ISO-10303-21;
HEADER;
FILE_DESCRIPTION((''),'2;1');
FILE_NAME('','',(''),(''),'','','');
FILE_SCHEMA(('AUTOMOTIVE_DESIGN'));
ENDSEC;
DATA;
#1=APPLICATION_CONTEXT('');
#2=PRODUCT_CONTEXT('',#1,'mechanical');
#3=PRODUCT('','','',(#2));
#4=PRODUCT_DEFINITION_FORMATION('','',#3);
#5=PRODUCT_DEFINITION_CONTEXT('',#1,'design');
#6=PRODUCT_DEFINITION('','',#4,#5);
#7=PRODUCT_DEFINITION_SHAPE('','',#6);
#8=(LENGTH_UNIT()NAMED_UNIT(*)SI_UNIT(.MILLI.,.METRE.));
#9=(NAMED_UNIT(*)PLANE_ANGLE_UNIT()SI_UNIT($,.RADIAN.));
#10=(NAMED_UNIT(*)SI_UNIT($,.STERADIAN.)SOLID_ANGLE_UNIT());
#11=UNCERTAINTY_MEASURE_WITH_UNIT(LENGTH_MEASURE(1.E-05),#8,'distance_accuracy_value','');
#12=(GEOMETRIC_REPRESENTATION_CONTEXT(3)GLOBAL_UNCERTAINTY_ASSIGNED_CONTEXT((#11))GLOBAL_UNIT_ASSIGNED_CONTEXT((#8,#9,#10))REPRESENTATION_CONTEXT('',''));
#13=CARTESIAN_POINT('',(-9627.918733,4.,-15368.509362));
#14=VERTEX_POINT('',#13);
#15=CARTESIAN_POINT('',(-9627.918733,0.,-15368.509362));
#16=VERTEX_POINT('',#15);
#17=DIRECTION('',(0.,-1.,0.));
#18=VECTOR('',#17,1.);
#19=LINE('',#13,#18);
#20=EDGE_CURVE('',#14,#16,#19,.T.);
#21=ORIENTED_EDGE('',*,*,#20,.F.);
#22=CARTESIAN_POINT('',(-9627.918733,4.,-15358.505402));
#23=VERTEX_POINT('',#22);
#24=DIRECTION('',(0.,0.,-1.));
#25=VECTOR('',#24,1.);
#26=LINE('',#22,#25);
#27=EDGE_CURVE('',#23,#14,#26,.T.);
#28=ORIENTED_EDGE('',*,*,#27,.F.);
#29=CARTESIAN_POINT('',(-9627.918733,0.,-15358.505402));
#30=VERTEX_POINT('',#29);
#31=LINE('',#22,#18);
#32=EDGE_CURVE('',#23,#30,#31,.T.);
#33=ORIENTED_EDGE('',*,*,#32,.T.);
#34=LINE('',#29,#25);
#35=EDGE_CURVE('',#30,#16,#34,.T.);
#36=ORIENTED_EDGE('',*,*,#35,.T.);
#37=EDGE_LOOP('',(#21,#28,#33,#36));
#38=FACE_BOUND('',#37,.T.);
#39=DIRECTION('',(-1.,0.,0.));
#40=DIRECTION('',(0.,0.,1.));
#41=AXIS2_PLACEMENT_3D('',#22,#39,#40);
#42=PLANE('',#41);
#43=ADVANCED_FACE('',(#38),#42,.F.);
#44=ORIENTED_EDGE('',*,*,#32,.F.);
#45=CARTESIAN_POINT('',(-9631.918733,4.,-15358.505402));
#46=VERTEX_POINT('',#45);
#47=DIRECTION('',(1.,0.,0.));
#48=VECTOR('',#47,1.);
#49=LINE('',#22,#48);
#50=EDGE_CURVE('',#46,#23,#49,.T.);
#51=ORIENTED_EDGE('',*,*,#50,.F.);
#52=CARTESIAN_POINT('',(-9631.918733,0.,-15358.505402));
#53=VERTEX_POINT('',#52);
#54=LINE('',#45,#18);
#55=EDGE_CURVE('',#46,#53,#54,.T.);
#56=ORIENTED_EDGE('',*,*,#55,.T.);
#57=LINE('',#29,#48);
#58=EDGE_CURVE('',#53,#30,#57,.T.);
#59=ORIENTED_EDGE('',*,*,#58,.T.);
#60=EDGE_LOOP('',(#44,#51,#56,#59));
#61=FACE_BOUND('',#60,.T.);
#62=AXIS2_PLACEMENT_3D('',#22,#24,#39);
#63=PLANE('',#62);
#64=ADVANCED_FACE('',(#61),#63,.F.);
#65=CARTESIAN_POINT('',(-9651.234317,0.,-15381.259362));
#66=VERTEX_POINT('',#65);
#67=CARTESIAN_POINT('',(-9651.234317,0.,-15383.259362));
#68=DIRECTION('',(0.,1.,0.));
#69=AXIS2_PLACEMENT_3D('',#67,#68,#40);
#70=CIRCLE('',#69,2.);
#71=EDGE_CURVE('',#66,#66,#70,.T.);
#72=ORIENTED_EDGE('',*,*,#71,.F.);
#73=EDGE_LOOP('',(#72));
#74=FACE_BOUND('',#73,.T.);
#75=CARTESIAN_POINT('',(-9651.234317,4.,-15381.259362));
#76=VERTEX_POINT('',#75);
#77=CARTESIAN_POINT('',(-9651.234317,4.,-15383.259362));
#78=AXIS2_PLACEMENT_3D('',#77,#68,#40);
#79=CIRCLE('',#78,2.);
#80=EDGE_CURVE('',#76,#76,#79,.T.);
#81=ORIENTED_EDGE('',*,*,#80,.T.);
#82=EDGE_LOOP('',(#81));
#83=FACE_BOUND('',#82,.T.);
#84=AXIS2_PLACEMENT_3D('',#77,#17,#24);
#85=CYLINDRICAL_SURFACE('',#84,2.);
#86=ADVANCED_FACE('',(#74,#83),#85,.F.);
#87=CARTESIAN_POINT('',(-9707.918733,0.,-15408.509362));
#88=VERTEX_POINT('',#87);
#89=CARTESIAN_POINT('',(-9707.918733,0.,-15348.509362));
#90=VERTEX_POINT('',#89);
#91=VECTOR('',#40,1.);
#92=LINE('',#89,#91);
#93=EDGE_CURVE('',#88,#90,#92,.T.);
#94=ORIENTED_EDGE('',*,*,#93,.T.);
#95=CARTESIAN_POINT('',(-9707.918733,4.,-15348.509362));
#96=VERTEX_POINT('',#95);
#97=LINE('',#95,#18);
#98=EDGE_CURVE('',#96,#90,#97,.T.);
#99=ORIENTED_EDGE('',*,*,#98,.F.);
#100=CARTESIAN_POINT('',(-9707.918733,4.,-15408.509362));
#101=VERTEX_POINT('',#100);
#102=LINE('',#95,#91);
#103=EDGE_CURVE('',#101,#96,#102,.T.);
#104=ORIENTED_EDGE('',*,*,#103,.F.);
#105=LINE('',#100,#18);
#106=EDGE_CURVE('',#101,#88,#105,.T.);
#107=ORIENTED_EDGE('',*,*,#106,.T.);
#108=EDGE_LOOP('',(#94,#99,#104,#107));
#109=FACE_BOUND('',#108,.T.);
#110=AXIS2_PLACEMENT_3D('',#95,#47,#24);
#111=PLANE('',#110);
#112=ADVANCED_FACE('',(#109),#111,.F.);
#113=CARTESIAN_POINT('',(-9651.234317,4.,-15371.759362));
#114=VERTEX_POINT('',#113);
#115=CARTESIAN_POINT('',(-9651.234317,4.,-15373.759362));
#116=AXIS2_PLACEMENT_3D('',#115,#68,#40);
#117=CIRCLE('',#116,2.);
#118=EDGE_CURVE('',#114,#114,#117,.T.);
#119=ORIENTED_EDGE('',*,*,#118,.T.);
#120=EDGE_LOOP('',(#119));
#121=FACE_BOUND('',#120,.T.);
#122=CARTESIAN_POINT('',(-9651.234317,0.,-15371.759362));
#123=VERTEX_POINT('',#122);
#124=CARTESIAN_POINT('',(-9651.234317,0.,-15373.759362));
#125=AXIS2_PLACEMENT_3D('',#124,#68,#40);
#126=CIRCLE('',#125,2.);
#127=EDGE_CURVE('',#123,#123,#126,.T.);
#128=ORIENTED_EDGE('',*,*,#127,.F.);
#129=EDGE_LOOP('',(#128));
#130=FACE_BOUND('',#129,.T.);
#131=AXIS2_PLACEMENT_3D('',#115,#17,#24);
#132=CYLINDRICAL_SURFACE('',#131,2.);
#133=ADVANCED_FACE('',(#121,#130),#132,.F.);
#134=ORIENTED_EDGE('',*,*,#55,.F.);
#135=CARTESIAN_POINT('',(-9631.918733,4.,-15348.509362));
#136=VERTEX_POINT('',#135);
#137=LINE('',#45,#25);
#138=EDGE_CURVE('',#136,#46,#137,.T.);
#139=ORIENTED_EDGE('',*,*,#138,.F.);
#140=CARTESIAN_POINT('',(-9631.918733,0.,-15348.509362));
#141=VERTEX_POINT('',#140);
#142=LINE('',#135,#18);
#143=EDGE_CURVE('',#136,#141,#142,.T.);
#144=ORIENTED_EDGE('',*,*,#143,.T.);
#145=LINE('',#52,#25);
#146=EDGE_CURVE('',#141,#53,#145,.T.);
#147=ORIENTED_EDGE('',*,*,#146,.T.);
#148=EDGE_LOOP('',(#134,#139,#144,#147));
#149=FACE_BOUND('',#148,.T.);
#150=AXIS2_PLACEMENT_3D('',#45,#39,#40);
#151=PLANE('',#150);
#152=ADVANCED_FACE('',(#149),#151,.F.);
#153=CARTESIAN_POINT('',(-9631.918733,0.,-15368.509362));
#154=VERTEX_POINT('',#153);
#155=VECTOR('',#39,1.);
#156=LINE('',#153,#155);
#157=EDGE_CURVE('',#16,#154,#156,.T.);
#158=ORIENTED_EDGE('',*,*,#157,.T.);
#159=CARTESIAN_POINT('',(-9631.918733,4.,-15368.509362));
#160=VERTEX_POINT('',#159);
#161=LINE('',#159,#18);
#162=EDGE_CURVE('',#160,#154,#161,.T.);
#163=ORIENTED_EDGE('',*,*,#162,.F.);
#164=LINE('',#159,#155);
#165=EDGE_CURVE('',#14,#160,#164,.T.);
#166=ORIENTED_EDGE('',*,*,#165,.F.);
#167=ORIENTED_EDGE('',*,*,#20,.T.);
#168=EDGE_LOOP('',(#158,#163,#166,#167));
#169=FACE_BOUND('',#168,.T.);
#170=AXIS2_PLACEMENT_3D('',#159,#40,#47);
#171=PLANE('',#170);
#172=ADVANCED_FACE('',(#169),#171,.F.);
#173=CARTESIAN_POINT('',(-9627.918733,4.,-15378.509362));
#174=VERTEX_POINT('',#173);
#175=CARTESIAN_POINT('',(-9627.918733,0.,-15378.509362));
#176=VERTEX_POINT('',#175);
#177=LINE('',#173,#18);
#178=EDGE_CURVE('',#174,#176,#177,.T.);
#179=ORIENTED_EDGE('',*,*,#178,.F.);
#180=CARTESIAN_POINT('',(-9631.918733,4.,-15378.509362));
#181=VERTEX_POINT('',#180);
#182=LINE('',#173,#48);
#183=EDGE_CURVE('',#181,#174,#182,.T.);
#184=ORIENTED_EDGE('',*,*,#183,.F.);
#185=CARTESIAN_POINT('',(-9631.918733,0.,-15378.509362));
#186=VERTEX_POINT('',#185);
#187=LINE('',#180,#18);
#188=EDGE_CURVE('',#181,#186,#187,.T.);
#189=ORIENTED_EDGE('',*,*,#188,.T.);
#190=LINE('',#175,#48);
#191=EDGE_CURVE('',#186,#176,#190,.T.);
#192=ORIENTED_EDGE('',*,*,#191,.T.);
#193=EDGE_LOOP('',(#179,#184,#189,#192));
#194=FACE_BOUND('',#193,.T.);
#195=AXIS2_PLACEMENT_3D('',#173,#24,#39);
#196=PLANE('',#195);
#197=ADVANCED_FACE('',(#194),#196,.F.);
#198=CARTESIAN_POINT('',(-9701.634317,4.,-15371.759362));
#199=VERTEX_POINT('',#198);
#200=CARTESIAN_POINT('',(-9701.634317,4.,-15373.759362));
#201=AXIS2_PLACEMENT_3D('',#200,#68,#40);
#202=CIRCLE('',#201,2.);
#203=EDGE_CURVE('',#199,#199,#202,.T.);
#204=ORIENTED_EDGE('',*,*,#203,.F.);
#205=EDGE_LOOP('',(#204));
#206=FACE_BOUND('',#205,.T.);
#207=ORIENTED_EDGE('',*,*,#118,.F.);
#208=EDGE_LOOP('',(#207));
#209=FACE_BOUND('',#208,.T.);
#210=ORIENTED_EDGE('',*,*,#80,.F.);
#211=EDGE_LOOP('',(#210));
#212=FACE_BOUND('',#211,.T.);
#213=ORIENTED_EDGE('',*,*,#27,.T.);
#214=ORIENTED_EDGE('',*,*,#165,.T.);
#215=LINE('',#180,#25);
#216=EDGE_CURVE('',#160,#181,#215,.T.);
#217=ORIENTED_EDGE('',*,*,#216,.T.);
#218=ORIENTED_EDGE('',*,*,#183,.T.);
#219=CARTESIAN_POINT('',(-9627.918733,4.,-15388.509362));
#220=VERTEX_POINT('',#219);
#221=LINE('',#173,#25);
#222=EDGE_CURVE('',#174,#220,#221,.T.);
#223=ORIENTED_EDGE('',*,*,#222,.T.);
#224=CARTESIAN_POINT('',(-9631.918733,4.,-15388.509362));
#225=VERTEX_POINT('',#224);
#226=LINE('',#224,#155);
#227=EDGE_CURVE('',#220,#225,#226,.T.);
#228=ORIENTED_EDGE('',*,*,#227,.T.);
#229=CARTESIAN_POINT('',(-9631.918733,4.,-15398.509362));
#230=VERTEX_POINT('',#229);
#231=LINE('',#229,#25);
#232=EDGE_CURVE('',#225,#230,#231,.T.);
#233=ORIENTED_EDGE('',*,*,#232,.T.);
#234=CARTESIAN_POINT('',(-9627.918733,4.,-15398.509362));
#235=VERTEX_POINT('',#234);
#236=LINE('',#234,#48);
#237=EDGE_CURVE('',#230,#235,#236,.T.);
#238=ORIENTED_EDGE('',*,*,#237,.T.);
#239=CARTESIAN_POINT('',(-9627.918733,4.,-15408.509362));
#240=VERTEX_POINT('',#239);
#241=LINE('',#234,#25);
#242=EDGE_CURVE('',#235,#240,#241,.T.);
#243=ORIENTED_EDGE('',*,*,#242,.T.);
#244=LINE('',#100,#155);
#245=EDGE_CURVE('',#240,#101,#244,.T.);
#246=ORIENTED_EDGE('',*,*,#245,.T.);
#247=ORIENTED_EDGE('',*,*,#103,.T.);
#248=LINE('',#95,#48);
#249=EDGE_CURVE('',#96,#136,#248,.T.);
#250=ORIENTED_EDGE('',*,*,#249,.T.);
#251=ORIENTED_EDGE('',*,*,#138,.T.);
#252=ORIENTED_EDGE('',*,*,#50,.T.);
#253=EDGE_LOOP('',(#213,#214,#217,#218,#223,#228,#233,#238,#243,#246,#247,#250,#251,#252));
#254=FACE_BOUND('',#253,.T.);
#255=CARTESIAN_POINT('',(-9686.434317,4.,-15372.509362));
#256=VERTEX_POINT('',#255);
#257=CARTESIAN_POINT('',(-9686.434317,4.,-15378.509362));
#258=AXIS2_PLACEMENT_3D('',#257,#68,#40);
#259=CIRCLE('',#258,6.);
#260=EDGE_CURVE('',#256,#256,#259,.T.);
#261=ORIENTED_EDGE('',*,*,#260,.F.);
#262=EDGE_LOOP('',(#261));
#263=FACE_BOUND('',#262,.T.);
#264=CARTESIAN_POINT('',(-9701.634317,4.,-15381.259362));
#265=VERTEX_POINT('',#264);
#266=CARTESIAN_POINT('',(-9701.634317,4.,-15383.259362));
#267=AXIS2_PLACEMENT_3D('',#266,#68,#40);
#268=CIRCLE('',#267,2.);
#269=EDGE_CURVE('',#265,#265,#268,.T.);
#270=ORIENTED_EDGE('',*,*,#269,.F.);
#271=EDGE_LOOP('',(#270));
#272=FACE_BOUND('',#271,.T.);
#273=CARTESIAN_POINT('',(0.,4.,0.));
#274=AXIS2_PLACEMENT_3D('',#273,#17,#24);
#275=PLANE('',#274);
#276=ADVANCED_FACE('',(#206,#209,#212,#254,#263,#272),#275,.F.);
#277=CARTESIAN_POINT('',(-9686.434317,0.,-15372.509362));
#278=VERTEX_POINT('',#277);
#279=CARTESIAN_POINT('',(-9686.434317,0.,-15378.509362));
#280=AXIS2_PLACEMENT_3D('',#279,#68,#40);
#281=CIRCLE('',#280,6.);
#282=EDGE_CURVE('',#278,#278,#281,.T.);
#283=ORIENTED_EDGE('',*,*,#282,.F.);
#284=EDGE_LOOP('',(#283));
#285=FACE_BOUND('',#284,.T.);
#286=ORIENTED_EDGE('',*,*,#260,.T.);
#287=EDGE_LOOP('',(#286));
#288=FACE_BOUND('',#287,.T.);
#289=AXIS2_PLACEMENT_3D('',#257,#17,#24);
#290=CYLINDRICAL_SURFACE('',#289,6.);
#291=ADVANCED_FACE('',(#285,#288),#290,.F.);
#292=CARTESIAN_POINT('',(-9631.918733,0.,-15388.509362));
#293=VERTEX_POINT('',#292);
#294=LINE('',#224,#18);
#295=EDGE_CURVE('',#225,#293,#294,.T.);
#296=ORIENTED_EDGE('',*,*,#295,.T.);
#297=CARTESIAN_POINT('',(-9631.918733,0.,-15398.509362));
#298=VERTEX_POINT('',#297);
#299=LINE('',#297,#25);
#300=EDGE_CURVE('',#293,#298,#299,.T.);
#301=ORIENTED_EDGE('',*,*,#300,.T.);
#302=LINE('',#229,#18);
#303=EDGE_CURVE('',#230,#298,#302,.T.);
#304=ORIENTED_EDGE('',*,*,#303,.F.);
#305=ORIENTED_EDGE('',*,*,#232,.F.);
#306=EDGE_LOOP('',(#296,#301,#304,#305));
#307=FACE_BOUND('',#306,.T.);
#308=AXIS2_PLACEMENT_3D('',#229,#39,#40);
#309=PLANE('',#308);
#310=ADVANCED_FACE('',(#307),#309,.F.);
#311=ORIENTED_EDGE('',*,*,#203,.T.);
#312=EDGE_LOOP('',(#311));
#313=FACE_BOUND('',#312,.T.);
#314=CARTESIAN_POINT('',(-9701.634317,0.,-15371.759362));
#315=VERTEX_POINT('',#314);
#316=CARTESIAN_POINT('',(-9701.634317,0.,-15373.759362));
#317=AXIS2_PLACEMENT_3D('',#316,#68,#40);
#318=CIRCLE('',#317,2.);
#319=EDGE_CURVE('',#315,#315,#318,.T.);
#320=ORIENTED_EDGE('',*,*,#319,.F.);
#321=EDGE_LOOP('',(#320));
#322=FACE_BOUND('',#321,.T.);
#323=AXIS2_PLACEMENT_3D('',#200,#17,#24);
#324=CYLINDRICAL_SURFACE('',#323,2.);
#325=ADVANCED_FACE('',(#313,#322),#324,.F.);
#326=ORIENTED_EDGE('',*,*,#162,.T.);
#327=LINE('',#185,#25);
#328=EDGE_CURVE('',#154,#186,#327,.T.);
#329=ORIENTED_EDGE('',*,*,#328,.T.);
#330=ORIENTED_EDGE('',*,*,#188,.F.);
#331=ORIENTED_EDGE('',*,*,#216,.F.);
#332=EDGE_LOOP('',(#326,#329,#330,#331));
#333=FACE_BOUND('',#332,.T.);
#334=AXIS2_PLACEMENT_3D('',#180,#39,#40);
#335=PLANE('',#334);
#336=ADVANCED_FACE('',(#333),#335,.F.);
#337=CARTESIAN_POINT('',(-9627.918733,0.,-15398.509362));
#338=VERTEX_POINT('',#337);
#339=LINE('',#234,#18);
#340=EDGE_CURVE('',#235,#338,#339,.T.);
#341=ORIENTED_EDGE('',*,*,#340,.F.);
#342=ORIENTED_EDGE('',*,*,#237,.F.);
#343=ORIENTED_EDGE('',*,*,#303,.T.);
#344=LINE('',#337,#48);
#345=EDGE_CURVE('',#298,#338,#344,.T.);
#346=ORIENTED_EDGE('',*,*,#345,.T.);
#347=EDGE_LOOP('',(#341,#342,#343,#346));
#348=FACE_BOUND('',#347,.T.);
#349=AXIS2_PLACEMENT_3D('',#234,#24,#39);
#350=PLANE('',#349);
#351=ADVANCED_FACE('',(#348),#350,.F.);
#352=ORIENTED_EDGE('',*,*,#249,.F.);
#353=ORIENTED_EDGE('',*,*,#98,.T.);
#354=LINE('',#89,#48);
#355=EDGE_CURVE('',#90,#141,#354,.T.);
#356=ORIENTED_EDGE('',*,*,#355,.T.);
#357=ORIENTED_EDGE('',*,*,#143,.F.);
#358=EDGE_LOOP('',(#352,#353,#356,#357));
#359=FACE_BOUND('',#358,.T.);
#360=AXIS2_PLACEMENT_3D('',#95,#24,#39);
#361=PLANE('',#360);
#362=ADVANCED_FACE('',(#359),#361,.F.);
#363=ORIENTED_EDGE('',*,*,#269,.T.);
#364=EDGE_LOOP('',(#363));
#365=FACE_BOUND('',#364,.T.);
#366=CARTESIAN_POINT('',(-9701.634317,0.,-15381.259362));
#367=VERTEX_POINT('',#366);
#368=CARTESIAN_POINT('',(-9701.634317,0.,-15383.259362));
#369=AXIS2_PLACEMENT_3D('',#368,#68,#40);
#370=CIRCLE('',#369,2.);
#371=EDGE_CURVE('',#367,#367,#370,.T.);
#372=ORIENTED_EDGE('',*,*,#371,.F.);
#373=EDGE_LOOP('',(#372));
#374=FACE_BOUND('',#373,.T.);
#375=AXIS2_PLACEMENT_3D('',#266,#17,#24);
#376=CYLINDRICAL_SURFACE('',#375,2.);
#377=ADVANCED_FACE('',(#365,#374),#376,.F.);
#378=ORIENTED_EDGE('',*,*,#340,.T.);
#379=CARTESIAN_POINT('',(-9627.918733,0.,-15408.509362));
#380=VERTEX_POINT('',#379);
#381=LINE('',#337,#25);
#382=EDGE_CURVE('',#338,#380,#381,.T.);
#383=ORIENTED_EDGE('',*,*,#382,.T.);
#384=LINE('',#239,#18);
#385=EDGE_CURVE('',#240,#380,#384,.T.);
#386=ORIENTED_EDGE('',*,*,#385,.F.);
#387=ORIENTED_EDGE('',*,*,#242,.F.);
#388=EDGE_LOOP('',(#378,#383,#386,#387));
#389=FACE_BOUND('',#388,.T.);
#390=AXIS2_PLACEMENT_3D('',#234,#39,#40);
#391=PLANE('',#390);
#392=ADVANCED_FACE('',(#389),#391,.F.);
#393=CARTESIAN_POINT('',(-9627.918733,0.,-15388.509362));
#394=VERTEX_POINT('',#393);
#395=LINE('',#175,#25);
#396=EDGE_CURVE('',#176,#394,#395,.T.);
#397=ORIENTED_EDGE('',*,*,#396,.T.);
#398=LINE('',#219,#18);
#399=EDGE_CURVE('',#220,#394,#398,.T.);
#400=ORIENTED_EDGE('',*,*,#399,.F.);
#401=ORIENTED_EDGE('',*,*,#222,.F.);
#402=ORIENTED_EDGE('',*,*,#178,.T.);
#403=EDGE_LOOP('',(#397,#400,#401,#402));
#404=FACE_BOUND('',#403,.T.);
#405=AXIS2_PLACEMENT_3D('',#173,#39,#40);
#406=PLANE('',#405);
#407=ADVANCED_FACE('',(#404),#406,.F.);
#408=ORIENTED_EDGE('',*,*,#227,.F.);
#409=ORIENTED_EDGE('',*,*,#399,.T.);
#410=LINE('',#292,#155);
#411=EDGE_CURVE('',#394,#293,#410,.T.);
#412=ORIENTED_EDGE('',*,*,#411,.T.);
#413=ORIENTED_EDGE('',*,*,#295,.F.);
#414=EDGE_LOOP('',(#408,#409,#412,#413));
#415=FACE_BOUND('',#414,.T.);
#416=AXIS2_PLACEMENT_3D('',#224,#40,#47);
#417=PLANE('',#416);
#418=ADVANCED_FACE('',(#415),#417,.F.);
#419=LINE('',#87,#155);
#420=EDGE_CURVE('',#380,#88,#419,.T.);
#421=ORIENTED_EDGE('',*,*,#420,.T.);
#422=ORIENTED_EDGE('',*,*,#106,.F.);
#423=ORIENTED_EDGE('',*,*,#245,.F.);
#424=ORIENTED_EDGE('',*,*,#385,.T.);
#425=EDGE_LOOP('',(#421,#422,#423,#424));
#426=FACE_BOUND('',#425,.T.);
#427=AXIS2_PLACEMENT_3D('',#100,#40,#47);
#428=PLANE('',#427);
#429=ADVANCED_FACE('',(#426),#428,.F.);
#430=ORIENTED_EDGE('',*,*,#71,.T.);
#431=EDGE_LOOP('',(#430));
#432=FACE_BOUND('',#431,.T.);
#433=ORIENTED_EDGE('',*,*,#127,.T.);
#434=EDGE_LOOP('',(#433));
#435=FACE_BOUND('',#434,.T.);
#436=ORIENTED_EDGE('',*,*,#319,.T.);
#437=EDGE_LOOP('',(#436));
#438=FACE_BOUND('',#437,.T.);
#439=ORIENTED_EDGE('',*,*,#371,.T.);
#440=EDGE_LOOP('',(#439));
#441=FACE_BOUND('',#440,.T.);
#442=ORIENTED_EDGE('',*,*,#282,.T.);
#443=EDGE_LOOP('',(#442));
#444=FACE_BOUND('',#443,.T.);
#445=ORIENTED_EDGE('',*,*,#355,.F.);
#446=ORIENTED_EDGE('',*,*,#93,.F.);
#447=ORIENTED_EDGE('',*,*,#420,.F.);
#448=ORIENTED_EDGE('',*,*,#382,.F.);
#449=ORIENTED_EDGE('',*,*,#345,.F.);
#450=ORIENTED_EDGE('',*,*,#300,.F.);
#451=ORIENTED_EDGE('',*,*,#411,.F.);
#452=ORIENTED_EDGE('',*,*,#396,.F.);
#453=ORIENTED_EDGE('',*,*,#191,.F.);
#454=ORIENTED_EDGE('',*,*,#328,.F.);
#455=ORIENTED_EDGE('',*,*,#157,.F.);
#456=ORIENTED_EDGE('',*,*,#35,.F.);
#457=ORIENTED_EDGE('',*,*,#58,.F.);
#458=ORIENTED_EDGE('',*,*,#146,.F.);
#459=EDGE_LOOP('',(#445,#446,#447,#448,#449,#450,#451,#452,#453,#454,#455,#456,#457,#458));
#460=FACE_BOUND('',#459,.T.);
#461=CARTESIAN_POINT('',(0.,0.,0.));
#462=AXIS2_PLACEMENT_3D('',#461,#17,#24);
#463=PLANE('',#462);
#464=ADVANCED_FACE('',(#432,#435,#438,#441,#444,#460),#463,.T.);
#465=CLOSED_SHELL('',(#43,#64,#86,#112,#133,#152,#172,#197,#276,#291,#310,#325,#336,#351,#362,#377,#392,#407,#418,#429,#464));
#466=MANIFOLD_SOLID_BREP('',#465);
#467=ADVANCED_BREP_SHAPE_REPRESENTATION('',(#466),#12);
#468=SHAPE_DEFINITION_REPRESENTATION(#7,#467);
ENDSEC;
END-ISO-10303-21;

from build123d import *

# Parameters (mm, degrees)
SKETCH1_R           = 6
SKETCH1_R_2         = 2
BOSS_EXTRUDE1_DEPTH = 4


with BuildPart() as part:
    # Sketch1 → Boss-Extrude1 (new body)
    with BuildSketch(Plane(origin=(0, 0, 0), x_dir=(1, 0, 0), z_dir=(0, 1, 0))):
        Polygon((-9707.918733038, 15348.509362373), (-9631.918733038, 15348.509362373), (-9631.918733038, 15358.505402083), (-9627.918733038, 15358.505402083), (-9627.918733038, 15368.509362373), (-9631.918733038, 15368.509362373), (-9631.918733038, 15378.509362373), (-9627.918733038, 15378.509362373), (-9627.918733038, 15388.509362373), (-9631.918733038, 15388.509362373), (-9631.918733038, 15398.509362373), (-9627.918733038, 15398.509362373), (-9627.918733038, 15408.509362373), (-9707.918733038, 15408.509362373), align=None)
        with Locations((-9686.434317231, 15378.509362373)):
            Circle(SKETCH1_R, mode=Mode.SUBTRACT)
        with Locations((-9651.234317231, 15383.259362373)):
            Circle(SKETCH1_R_2, mode=Mode.SUBTRACT)
        with Locations((-9651.234317231, 15373.759362373)):
            Circle(SKETCH1_R_2, mode=Mode.SUBTRACT)
        with Locations((-9701.634317231, 15373.759362373)):
            Circle(SKETCH1_R_2, mode=Mode.SUBTRACT)
        with Locations((-9701.634317231, 15383.259362373)):
            Circle(SKETCH1_R_2, mode=Mode.SUBTRACT)
    extrude(amount=BOSS_EXTRUDE1_DEPTH)


solid = part.part
